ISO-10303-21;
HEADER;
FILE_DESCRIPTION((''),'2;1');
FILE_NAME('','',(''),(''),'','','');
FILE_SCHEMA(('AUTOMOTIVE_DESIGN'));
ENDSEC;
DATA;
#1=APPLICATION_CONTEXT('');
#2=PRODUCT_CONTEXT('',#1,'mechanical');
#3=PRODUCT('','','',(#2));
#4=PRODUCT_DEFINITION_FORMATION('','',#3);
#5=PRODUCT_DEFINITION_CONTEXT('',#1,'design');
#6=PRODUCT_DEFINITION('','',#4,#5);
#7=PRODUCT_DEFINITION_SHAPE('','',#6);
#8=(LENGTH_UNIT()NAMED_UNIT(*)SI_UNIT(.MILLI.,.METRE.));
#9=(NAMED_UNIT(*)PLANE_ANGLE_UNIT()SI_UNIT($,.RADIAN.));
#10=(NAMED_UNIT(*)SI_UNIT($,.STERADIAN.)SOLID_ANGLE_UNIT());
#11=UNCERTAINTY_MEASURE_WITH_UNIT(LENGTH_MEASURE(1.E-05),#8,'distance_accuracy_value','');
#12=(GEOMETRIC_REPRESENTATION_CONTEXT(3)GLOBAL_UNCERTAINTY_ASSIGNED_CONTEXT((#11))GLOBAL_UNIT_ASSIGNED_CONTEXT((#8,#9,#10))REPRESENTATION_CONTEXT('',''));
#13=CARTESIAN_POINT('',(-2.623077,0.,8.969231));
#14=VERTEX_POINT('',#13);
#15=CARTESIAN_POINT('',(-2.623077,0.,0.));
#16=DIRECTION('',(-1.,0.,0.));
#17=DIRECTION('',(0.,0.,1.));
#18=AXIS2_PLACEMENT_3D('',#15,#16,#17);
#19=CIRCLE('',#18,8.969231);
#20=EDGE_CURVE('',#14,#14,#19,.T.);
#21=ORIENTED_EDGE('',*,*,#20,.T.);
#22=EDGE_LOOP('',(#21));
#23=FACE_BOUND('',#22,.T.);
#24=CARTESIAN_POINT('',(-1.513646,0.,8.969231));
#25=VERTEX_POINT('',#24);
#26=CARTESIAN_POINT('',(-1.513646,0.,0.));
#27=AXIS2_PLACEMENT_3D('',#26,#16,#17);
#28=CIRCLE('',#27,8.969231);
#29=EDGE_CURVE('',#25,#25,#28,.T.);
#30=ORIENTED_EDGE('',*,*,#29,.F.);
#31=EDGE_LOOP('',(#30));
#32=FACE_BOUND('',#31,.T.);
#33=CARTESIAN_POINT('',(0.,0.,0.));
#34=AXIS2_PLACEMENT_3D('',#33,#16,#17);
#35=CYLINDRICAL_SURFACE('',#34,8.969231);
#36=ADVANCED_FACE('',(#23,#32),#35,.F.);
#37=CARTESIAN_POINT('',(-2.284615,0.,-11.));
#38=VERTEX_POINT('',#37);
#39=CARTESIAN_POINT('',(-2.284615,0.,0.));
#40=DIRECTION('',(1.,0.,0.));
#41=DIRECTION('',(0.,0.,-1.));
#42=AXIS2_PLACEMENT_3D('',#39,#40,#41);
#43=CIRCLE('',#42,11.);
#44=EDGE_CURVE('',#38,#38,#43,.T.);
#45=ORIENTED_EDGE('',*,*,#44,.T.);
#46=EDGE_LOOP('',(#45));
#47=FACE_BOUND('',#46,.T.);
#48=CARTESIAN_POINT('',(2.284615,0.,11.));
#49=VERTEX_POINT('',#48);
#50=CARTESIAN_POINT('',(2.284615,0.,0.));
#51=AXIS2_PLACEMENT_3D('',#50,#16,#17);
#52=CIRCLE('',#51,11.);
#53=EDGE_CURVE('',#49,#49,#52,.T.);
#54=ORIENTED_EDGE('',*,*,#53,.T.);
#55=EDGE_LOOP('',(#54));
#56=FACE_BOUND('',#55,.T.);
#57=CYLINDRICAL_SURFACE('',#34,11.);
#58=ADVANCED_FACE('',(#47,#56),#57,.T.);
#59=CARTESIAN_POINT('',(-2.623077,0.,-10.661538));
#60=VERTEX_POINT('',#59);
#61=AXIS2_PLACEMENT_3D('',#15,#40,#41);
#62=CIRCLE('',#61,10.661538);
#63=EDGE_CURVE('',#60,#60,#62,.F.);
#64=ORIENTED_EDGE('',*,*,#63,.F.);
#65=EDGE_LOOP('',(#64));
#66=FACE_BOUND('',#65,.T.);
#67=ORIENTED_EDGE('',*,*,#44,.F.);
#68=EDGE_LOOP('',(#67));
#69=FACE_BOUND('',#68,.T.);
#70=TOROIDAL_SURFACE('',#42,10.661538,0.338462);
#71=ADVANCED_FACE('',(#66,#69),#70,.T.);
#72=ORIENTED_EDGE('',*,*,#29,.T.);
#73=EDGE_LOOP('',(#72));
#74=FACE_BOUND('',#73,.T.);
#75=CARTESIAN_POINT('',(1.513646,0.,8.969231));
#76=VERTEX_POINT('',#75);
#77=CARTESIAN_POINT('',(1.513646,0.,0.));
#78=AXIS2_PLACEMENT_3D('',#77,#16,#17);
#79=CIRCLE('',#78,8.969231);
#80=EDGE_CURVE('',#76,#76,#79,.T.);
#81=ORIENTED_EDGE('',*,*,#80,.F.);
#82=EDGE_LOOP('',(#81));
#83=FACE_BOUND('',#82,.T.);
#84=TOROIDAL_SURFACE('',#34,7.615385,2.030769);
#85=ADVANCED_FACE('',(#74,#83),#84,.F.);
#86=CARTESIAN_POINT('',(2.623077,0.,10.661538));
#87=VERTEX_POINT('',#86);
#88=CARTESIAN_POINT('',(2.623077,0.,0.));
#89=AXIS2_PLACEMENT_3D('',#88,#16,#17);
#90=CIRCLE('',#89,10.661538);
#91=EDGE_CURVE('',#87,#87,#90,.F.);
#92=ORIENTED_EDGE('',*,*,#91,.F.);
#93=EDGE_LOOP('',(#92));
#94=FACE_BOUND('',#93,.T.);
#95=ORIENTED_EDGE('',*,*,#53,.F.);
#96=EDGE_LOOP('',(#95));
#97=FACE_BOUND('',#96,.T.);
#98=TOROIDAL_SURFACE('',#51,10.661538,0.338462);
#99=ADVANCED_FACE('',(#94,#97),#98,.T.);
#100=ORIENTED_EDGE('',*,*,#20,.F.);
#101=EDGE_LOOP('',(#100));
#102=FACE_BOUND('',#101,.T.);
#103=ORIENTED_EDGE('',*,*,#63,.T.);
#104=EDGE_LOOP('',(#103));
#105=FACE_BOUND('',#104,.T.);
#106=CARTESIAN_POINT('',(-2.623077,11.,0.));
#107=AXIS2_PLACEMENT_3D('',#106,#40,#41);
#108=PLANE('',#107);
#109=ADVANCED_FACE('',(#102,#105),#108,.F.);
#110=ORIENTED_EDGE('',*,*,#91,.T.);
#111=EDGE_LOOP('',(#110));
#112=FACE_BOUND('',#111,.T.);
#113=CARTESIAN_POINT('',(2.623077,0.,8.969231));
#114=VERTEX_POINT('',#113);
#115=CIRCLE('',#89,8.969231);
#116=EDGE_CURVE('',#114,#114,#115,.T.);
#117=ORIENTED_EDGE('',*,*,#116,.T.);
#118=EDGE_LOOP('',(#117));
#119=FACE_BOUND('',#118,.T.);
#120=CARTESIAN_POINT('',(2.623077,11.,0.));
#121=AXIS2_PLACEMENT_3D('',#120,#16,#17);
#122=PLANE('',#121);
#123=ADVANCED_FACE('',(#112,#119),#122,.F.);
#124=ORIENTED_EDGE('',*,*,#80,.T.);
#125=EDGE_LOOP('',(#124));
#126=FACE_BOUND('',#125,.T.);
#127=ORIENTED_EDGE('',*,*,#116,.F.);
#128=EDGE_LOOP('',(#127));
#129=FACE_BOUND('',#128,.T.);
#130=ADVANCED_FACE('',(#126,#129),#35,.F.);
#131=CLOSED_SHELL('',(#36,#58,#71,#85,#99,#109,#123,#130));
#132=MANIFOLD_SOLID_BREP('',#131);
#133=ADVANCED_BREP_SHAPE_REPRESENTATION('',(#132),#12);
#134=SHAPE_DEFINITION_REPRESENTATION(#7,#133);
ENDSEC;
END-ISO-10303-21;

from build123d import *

# Parameters (mm, degrees)
FILLET_1_R    = 2
SCALE_1_SCALE = 0.338461538
SCALE_2_SCALE = 0.5


with BuildPart() as part:
    # 草图1 → 旋转1 (revolve)
    with BuildSketch(Plane.XY, mode=Mode.PRIVATE) as revolve_1_sk:
        with BuildLine():
            Line((-15.5, 53), (-8.94427191, 53))
            ThreePointArc((-8.94427191, 53), (0, 57), (8.94427191, 53))
            Line((8.94427191, 53), (15.5, 53))
            Line((15.5, 53), (15.5, 65))
            Line((15.5, 65), (-15.5, 65))
            Line((-15.5, 65), (-15.5, 53))
        make_face()
    revolve(revolve_1_sk.sketch.rotate(Axis((0, 0, 0), (1, 0, 0)), 90), axis=Axis((0, 0, 0), (1, 0, 0)))

    # 圆角1
    fillet_1_edges = [part.edges().sort_by_distance(p)[0] for p in [
        (15.5, 0, -65),
        (-15.5, 0, -65),
    ]]
    fillet(fillet_1_edges, radius=FILLET_1_R)


with BuildPart() as part_1:
    # 缩放比例1: scaled about (0, 0, 0)
    add(part.part.scale(SCALE_1_SCALE))


with BuildPart() as part_2:
    # 缩放比例2: scaled about (0, 0, 0)
    add(part_1.part.scale(SCALE_2_SCALE))


solid = part_2.part
